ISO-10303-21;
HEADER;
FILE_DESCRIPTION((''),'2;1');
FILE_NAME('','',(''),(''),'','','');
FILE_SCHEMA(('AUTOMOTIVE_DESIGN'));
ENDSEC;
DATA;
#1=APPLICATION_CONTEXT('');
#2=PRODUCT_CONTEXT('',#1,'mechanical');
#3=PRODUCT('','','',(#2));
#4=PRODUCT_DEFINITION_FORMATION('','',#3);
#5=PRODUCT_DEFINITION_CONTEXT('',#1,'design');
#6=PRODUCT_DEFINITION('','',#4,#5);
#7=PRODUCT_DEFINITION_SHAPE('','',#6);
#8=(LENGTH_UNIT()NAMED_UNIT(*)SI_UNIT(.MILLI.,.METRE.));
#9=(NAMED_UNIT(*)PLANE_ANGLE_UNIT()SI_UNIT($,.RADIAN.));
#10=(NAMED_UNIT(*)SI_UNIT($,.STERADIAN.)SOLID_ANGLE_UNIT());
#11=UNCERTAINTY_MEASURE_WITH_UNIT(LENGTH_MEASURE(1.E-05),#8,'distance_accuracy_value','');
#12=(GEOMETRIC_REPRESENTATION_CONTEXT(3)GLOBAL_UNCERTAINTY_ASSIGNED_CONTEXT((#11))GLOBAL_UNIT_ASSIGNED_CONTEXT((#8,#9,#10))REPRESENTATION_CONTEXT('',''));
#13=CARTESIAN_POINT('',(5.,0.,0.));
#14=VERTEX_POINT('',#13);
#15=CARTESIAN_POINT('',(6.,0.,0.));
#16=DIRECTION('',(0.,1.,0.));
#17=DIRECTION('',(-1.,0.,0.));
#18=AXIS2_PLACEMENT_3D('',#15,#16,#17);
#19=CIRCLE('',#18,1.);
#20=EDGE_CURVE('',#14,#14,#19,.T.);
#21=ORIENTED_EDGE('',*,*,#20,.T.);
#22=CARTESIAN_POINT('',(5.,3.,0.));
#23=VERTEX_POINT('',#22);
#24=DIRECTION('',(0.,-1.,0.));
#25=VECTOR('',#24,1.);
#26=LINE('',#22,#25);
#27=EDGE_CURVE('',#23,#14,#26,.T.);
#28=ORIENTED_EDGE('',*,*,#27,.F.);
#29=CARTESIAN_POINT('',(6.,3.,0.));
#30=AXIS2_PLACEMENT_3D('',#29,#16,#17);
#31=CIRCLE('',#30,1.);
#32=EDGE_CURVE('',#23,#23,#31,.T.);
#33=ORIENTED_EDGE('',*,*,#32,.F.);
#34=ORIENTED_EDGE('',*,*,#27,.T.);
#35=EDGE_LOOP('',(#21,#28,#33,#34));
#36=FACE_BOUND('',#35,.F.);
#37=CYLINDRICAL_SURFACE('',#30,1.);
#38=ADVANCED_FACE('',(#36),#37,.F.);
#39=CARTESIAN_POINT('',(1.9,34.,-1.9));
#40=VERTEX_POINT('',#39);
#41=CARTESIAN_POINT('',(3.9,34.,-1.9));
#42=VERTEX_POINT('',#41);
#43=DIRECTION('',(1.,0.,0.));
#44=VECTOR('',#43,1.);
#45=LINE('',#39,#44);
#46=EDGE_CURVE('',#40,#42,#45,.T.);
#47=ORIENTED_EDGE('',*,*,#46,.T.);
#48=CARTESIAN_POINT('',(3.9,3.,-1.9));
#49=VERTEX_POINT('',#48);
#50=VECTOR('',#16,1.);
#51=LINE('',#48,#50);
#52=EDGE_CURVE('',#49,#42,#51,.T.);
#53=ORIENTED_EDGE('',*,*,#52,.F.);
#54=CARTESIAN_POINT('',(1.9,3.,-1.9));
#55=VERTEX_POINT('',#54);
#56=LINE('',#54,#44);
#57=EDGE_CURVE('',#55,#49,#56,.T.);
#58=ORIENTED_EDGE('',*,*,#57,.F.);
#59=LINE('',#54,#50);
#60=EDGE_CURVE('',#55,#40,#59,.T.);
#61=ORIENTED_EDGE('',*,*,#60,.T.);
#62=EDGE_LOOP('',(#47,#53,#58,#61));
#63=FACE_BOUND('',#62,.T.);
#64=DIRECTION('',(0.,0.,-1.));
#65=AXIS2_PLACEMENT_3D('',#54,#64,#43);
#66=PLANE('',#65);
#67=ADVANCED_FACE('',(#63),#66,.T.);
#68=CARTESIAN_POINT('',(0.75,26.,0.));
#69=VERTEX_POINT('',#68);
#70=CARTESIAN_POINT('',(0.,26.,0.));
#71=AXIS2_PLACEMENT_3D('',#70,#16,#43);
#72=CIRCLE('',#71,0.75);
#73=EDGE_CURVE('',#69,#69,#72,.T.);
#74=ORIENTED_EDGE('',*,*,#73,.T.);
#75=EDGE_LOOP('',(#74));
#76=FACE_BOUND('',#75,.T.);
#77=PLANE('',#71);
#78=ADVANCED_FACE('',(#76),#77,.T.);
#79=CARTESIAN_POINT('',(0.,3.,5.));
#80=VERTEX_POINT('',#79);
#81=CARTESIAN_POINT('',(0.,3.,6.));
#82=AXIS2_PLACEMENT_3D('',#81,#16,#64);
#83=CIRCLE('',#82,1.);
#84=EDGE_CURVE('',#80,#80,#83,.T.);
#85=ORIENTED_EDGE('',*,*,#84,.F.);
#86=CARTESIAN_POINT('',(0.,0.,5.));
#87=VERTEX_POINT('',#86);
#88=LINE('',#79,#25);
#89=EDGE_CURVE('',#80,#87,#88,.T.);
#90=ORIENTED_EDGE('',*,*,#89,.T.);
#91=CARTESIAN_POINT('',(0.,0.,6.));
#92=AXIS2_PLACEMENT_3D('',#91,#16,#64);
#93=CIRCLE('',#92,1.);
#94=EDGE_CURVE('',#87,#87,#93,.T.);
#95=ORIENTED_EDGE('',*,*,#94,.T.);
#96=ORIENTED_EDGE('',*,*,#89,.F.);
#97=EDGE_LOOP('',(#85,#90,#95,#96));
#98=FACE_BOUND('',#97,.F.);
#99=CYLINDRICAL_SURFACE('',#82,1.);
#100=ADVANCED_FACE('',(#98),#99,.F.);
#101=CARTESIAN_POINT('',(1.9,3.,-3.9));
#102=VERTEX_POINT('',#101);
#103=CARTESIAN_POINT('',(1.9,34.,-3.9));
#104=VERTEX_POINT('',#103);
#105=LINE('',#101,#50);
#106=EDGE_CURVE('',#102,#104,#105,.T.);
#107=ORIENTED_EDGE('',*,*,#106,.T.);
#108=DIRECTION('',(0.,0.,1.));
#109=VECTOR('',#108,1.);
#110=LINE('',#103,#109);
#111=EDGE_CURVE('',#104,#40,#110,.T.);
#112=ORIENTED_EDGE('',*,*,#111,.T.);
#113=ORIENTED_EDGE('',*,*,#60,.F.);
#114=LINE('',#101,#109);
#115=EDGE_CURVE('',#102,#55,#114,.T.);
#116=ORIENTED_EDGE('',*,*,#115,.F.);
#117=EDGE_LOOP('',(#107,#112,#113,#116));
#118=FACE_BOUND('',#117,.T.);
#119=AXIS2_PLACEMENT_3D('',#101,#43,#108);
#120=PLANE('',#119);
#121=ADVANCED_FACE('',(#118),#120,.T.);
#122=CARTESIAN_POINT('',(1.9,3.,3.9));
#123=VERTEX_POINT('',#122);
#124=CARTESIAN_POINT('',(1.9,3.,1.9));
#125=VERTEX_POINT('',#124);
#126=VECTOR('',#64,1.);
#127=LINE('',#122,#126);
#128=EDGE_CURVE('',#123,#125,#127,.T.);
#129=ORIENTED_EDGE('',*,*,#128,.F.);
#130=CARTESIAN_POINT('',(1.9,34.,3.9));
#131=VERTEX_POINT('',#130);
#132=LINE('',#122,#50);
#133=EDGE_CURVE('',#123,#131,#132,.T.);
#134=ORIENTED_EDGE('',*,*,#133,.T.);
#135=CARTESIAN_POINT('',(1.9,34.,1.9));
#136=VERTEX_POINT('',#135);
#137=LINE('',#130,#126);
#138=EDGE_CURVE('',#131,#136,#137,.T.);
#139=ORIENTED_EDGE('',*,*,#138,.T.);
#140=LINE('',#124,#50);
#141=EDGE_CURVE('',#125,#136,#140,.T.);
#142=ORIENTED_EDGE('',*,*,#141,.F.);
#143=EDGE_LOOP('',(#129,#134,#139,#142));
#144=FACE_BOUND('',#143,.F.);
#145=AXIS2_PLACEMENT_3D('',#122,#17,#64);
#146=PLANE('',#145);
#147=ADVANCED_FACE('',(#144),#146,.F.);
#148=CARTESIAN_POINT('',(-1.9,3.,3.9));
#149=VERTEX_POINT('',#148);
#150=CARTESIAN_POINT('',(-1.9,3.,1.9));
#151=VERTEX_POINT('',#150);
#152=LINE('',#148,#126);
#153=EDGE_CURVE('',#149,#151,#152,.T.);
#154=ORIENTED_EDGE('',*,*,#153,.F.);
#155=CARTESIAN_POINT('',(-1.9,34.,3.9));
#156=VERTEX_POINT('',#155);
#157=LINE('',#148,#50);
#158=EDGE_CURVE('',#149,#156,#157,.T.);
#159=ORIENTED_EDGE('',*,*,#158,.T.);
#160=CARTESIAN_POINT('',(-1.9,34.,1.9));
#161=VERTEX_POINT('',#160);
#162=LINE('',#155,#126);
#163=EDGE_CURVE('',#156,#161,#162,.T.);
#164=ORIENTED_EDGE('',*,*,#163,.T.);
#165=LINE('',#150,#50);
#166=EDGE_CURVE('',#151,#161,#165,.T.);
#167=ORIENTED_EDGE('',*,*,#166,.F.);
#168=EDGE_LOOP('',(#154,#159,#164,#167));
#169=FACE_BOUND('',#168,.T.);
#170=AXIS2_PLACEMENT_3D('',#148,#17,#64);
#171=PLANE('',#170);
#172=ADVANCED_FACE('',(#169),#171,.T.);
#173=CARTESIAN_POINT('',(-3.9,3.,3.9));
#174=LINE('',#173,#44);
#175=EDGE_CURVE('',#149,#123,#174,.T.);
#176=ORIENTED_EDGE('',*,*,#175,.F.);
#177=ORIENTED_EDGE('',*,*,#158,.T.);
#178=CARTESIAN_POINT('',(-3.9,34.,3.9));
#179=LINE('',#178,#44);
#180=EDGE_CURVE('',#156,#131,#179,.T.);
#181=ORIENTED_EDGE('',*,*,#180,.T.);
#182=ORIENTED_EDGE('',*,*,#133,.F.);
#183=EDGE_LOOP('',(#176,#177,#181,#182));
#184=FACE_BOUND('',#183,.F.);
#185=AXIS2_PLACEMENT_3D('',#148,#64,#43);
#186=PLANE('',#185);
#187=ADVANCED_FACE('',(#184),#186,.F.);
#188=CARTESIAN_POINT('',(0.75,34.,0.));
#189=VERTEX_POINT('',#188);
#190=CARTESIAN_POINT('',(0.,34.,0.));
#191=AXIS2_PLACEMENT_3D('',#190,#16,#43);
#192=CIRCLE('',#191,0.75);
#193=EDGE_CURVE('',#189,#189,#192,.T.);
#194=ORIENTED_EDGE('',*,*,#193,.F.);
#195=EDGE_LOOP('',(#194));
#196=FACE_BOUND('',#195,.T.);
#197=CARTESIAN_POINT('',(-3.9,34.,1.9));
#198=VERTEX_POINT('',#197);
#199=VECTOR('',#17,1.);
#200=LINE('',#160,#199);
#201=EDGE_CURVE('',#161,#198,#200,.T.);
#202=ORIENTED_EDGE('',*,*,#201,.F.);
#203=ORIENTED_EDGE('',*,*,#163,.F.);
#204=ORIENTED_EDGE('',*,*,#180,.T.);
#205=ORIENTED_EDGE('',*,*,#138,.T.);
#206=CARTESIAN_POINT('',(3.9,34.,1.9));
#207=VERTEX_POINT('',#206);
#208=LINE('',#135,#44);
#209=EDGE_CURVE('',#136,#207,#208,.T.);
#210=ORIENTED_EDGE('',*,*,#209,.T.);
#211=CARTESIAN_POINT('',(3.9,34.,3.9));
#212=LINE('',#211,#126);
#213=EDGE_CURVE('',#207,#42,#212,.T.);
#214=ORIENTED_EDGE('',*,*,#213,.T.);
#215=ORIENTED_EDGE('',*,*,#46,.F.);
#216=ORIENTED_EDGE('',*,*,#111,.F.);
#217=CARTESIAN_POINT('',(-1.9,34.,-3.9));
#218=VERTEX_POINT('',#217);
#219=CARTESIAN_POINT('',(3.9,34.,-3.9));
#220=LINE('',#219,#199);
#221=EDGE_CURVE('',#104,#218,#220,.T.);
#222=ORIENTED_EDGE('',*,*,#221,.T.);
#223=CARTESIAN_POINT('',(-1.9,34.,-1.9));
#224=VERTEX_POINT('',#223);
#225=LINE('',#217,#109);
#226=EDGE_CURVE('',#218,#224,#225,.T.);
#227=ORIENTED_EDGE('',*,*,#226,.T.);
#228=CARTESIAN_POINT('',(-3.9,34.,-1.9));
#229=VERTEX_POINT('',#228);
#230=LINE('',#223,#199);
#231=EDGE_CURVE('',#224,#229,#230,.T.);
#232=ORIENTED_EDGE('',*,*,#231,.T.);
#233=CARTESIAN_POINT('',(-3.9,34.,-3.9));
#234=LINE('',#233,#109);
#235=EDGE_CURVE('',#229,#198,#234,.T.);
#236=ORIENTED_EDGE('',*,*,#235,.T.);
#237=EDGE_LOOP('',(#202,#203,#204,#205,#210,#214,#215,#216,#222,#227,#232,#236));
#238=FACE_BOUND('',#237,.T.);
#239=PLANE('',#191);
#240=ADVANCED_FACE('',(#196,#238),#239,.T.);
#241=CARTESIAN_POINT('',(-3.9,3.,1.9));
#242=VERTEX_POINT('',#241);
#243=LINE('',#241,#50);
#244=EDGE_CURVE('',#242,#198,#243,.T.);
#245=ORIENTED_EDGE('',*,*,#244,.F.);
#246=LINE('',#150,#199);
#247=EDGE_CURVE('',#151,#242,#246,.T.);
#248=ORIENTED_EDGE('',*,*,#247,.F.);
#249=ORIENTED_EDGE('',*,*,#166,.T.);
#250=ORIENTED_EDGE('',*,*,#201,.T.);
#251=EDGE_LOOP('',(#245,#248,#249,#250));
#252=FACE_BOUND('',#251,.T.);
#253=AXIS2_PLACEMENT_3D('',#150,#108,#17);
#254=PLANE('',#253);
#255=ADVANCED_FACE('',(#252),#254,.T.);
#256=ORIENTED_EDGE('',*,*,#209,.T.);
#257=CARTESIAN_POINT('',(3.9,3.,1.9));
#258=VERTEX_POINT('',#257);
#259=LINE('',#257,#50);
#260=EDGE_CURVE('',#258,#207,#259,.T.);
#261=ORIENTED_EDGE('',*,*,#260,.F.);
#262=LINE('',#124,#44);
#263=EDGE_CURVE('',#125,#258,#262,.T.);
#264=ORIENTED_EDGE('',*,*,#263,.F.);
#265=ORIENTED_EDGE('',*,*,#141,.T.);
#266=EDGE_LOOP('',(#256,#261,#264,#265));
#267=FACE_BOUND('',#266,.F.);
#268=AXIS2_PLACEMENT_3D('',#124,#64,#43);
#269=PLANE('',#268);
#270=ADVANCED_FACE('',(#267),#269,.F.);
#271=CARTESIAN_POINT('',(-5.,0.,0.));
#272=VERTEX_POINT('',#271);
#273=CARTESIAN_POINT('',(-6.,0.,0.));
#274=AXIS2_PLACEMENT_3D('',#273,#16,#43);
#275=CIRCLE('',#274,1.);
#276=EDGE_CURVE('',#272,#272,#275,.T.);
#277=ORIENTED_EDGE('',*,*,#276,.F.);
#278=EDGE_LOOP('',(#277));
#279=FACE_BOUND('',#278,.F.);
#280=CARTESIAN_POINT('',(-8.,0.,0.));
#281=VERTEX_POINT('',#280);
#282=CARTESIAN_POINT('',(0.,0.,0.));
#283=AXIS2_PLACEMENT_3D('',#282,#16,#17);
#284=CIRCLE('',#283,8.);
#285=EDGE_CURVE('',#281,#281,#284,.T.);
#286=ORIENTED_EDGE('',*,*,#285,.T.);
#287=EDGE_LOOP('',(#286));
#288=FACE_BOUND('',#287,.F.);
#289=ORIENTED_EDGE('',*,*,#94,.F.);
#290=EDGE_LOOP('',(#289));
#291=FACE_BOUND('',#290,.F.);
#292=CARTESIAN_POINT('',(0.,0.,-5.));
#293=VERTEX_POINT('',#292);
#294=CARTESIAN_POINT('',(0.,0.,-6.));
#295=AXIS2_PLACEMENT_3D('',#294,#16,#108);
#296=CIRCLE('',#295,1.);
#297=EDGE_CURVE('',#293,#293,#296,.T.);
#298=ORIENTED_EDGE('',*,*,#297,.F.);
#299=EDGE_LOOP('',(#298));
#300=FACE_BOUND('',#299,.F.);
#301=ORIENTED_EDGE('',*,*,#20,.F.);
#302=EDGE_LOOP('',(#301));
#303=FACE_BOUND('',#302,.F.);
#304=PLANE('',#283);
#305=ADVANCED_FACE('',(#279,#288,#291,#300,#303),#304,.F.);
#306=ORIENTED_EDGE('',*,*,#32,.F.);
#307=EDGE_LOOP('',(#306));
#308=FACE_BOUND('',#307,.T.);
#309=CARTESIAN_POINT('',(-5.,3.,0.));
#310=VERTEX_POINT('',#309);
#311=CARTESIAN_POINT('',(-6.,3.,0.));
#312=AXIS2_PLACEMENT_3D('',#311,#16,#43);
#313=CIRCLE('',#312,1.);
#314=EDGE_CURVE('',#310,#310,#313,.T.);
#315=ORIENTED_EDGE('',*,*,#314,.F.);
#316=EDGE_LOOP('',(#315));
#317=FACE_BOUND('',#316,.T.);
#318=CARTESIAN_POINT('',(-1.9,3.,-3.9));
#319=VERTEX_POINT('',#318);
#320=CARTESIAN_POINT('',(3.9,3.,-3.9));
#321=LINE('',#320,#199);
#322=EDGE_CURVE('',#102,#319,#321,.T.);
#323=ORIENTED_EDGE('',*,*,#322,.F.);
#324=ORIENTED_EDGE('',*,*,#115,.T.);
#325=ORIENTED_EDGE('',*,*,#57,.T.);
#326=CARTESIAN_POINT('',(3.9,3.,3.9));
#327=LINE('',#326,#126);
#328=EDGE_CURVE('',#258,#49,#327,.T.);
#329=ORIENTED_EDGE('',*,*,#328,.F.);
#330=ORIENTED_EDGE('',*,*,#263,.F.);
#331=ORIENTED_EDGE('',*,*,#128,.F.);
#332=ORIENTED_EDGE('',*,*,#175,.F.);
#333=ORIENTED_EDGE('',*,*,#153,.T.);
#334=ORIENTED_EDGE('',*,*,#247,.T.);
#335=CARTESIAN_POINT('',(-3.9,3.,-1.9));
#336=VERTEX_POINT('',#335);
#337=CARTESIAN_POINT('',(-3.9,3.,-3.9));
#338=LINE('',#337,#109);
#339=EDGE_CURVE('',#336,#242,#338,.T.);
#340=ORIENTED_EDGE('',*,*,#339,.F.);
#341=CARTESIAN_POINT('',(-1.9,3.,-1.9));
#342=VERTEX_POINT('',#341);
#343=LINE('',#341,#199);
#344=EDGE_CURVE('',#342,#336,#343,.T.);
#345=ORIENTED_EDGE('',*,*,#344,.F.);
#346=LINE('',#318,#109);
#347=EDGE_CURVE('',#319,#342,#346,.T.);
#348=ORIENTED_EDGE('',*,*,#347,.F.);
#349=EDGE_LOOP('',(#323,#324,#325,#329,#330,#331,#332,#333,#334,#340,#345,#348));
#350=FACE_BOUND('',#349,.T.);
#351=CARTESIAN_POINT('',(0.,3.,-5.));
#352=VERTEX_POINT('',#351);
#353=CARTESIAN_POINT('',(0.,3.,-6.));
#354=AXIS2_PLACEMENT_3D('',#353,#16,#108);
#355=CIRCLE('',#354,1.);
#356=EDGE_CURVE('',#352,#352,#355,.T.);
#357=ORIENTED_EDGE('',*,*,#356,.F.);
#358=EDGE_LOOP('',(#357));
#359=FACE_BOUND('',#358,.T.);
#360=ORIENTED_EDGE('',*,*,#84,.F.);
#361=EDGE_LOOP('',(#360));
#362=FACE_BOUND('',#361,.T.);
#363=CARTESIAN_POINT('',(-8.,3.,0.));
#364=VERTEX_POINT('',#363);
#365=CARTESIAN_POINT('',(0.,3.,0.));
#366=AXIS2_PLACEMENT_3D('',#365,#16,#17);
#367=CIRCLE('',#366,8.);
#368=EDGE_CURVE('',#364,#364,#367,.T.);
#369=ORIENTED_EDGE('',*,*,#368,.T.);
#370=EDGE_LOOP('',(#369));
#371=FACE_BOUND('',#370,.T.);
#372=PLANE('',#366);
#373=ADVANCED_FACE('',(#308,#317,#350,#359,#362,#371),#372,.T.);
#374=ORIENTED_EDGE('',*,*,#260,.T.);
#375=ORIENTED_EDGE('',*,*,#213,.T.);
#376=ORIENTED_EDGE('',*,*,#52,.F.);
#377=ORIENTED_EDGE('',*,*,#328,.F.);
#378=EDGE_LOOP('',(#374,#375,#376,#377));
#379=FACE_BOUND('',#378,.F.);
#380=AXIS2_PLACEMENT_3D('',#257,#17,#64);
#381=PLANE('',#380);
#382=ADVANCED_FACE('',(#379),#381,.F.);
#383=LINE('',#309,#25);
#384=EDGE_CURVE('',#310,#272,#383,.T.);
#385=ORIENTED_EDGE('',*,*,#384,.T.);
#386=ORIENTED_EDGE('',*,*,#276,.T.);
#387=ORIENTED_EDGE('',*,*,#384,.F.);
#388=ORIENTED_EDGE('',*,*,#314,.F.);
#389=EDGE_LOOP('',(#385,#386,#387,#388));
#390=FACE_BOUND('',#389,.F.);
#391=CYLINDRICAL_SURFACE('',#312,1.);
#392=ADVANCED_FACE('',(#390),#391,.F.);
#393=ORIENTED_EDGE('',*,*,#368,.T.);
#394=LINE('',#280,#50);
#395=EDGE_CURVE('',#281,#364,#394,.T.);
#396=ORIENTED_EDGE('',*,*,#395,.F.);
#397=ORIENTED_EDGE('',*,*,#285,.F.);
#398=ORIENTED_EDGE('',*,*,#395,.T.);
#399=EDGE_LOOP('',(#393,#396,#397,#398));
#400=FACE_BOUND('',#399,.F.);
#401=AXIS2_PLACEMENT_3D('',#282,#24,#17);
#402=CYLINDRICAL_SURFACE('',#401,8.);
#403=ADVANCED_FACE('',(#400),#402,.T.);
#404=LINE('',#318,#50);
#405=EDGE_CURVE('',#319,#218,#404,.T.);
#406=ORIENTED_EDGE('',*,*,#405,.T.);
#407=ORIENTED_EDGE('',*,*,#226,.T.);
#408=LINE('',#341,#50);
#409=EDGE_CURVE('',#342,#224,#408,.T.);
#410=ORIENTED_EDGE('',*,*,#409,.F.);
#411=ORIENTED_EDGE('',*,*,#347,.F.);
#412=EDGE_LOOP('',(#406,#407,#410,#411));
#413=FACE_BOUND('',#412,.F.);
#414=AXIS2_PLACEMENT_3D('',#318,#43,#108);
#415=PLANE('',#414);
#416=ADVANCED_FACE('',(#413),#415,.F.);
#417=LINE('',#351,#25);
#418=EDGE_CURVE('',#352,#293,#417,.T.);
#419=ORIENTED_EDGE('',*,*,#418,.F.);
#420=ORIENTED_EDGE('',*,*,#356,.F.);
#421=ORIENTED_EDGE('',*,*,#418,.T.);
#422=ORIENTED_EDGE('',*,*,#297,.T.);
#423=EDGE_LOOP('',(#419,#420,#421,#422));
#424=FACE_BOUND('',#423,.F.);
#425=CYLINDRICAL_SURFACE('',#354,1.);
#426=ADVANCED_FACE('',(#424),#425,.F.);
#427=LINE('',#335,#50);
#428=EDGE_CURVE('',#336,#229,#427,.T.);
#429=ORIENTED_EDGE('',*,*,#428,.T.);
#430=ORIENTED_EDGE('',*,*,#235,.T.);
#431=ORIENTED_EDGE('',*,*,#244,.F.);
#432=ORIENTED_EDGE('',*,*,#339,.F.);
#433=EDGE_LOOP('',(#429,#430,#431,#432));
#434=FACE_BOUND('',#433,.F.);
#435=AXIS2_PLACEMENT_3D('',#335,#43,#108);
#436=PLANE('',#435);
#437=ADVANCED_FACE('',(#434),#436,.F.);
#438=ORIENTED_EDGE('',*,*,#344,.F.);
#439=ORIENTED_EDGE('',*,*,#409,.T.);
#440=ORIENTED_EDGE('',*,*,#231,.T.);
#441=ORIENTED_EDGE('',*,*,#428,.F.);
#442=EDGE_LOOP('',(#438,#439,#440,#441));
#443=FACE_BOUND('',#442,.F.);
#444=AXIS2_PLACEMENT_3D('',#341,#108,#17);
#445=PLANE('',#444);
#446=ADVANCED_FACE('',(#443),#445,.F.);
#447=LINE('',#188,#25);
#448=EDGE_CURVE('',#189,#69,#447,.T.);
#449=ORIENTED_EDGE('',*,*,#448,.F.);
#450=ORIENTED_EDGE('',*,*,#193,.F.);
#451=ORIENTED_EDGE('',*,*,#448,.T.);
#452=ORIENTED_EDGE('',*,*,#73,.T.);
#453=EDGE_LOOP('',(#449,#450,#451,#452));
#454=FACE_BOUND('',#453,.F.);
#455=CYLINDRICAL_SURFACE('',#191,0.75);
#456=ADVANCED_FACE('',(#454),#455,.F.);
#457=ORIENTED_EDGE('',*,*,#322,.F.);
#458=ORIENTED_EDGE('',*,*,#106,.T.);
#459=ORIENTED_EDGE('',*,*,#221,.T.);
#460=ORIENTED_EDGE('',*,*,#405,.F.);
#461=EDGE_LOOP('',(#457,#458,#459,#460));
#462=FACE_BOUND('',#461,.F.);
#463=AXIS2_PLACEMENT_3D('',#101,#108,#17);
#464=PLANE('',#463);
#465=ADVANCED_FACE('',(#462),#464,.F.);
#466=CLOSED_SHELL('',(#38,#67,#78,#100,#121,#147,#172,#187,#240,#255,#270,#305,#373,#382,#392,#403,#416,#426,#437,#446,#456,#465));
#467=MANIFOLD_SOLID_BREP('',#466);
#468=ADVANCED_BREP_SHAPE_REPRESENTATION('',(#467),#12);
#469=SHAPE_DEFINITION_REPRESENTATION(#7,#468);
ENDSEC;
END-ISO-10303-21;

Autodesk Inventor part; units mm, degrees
ref_plane "YZ Plane" through (0, 0, 0) normal (1, 0, 0) x (0, 1, 0)
ref_plane "XZ Plane" through (0, 0, 0) normal (0, 1, 0) x (-1, 0, 0)
ref_plane "XY Plane" through (0, 0, 0) normal (0, 0, 1) x (1, 0, 0)
sketch "Sketch1" plane through (0, 0, 0) normal (0, 1, 0) x (-1, 0, 0)
  circle A0 centre (0, 0) radius 8
  dimension "d0" = 16
extrude "Extrusion1" add sketch "Sketch1" along normal blind 3
sketch "Sketch2" plane through (0, 3, 0) normal (0, 1, 0) x (1, 0, 0)
  circle A0 centre (-6, 0) radius 1
  point P0 (0, 0)
  dimension "d3" = 2
  dimension "d4" = 6
extrude "Extrusion2" cut sketch "Sketch2" against normal blind 3
pattern_circular "Circular Pattern1" count 4 over 360 about axis through (0, -10, 0) along (0, 1, 0) of "Extrusion2"
sketch "Sketch3" plane through (0, 3, 0) normal (0, 1, 0) x (1, 0, 0)
  line L0 (3.9, 3.9) -> (-3.9, 3.9)
  line L1 (-3.9, 3.9) -> (-3.9, -3.9)
  line L2 (-3.9, -3.9) -> (3.9, -3.9)
  line L3 (3.9, -3.9) -> (3.9, 3.9)
  line L4 (3.9, 3.9) -> (-3.9, -3.9) construction
  line L5 (-3.9, 3.9) -> (3.9, -3.9) construction
  line L6 (-3.9, -3.9) -> (-1.9, -3.9)
  line L7 (-1.9, -3.9) -> (-1.9, -1.9)
  line L8 (-1.9, -1.9) -> (-3.9, -1.9)
  line L9 (-3.9, -1.9) -> (-3.9, -3.9)
  line L10 (-3.9, 3.9) -> (-1.9, 3.9)
  line L11 (-1.9, 3.9) -> (-1.9, 1.9)
  line L12 (-1.9, 1.9) -> (-3.9, 1.9)
  line L13 (-3.9, 1.9) -> (-3.9, 3.9)
  line L14 (3.9, -3.9) -> (1.9, -3.9)
  line L15 (1.9, -3.9) -> (1.9, -1.9)
  line L16 (1.9, -1.9) -> (3.9, -1.9)
  line L17 (3.9, -1.9) -> (3.9, -3.9)
  line L18 (3.9, 3.9) -> (1.9, 3.9)
  line L19 (1.9, 3.9) -> (1.9, 1.9)
  line L20 (1.9, 1.9) -> (3.9, 1.9)
  line L21 (3.9, 1.9) -> (3.9, 3.9)
  point P0 (0, 0)
  point P1 (3.9, 1.9)
  point P2 (1.9, 3.9)
  point P3 (-1.9, 3.9)
  point P4 (-1.9, -3.9)
  point P5 (1.9, -3.9)
  dimension "d10" = 7.8
  dimension "d11" = 7.8
  dimension "d14" = 2
  dimension "d15" = 2
extrude "Extrusion3" add sketch "Sketch3" along normal blind 31 contours L19 L20 L3 L16 L15 L2 L7 L8 L1 L12 L11 L0
sketch "Sketch4" plane through (0, 34, 0) normal (0, 1, 0) x (1, 0, 0)
  circle A0 centre (0, 0) radius 0.75
  dimension "d16" = 1.5
extrude "Extrusion4" cut sketch "Sketch4" against normal blind 8
properties part number "XC330_motor_adaptor"
